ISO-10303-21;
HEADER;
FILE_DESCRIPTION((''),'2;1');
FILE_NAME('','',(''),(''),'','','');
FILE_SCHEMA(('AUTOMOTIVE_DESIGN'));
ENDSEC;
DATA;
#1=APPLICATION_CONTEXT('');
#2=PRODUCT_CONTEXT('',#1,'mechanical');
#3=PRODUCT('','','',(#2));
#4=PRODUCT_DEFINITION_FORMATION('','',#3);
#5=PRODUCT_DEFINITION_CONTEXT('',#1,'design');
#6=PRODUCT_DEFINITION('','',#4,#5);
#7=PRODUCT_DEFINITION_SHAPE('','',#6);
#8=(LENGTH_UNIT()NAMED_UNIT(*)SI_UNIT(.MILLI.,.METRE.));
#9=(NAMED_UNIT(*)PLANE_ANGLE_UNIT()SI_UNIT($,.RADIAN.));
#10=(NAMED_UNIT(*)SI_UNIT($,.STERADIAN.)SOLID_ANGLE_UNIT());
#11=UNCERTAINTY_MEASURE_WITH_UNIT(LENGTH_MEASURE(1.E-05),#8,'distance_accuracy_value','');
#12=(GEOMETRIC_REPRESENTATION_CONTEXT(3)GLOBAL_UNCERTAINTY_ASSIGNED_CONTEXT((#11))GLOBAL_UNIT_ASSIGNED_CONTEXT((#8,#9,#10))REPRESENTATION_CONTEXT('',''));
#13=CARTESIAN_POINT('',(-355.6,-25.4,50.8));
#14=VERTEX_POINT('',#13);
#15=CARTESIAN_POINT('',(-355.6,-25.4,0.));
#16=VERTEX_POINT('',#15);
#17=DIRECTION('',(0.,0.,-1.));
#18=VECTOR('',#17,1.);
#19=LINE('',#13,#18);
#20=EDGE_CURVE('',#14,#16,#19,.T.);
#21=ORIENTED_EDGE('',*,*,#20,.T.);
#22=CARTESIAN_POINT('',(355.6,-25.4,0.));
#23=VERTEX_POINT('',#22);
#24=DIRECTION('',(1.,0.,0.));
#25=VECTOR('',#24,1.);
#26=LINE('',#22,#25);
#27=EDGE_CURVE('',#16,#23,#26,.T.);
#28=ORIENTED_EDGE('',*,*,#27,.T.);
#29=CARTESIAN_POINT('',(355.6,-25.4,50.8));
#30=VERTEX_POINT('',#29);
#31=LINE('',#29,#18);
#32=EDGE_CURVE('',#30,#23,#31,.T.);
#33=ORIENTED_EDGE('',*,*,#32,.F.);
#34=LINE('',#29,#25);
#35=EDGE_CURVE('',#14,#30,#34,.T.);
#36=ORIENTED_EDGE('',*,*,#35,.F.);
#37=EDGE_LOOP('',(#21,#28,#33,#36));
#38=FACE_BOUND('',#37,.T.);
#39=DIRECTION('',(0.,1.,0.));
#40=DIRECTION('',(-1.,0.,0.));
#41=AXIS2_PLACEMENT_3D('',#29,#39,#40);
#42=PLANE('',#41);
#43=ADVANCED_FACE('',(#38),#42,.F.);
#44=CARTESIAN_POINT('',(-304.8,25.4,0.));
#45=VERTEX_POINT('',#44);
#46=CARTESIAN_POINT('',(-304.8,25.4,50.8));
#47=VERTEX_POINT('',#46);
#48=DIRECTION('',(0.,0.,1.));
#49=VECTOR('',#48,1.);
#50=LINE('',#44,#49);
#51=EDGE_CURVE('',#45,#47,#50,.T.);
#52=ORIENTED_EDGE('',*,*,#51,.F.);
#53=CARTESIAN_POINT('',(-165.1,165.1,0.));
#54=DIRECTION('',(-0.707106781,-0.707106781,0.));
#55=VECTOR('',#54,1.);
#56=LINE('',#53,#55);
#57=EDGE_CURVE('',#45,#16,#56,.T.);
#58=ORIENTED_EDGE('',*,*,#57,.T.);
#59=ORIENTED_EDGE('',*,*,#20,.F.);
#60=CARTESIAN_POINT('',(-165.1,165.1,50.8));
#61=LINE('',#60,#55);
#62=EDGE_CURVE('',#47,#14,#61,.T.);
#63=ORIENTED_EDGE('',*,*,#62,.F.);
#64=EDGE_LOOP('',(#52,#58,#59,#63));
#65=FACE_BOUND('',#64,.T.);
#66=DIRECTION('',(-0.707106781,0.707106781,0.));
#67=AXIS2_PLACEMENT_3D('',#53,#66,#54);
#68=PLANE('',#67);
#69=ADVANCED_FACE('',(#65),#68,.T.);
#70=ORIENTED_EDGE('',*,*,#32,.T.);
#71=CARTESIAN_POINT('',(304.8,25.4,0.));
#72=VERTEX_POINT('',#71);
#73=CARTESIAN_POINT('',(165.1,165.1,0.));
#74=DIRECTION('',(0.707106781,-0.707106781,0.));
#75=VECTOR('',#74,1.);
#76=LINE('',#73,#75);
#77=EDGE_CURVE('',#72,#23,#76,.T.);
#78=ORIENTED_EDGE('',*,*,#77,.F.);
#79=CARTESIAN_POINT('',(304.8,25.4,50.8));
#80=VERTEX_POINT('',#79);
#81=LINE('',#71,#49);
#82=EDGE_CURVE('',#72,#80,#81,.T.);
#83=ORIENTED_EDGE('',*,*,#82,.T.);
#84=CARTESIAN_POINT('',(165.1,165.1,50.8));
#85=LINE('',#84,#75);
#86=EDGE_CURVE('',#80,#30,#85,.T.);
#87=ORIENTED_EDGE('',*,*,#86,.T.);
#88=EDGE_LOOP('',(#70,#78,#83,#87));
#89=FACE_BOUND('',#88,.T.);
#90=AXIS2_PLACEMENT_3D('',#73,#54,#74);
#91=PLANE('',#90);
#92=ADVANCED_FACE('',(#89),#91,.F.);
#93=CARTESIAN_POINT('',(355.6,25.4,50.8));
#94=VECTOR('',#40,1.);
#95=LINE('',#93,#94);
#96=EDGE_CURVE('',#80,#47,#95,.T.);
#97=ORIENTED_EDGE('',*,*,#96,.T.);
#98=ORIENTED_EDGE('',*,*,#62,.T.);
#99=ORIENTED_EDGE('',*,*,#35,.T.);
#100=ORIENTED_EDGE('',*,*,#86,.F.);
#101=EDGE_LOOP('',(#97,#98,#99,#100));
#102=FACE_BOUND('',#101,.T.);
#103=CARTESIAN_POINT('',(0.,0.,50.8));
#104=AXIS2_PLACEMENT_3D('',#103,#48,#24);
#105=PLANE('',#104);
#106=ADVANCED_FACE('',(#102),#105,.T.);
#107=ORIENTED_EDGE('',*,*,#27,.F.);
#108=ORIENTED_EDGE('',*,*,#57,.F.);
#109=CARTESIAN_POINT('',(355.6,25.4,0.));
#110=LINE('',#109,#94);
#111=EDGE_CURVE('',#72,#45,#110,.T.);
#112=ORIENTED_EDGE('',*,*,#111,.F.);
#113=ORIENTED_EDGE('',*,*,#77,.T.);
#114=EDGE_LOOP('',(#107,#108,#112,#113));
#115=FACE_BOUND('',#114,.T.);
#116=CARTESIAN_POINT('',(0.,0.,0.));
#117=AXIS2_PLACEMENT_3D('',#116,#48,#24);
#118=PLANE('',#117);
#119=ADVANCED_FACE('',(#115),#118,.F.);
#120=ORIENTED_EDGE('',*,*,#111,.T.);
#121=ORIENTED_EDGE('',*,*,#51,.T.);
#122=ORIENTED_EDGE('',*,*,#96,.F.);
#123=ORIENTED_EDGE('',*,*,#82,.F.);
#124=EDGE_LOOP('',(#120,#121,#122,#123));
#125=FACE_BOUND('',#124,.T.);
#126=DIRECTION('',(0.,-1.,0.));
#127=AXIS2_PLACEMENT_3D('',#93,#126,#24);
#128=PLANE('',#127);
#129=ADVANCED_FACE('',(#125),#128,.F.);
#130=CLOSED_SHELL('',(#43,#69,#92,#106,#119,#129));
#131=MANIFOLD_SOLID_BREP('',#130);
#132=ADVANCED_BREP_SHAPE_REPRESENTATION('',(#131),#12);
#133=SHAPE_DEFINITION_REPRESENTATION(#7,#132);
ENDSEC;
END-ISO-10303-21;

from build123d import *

# Parameters (mm, degrees)
CROQUIS1_W              = 711.2
CROQUIS1_H              = 50.8
SALIENTE_EXTRUIR1_DEPTH = 50.8
CORTAR_EXTRUIR1_DEPTH   = 361.10715072
CORTAR_EXTRUIR2_DEPTH   = 361.10715072


with BuildPart() as part:
    # Croquis1 → Saliente-Extruir1 (new body)
    with BuildSketch(Plane.XY):
        Rectangle(CROQUIS1_W, CROQUIS1_H)
    extrude(amount=SALIENTE_EXTRUIR1_DEPTH)

    # Croquis2 → Cortar-Extruir1 (cut, through all)
    with BuildSketch(Plane.XY.offset(50.8)):
        Polygon((355.6, 25.4), (335.6, 25.4), (355.6, -25.4), align=None)
        Polygon((-335.6, 25.4), (-355.6, 25.4), (-355.6, -25.4), align=None)
    extrude(amount=-CORTAR_EXTRUIR1_DEPTH, mode=Mode.SUBTRACT)

    # Croquis3 → Cortar-Extruir2 (cut, through all)
    with BuildSketch(Plane.XY.offset(50.8)):
        Polygon((-335.6, 25.4), (-355.6, -25.4), (-304.8, 25.4), align=None)
        Polygon((335.6, 25.4), (304.8, 25.4), (355.6, -25.4), align=None)
    extrude(amount=-CORTAR_EXTRUIR2_DEPTH, mode=Mode.SUBTRACT)


solid = part.part
